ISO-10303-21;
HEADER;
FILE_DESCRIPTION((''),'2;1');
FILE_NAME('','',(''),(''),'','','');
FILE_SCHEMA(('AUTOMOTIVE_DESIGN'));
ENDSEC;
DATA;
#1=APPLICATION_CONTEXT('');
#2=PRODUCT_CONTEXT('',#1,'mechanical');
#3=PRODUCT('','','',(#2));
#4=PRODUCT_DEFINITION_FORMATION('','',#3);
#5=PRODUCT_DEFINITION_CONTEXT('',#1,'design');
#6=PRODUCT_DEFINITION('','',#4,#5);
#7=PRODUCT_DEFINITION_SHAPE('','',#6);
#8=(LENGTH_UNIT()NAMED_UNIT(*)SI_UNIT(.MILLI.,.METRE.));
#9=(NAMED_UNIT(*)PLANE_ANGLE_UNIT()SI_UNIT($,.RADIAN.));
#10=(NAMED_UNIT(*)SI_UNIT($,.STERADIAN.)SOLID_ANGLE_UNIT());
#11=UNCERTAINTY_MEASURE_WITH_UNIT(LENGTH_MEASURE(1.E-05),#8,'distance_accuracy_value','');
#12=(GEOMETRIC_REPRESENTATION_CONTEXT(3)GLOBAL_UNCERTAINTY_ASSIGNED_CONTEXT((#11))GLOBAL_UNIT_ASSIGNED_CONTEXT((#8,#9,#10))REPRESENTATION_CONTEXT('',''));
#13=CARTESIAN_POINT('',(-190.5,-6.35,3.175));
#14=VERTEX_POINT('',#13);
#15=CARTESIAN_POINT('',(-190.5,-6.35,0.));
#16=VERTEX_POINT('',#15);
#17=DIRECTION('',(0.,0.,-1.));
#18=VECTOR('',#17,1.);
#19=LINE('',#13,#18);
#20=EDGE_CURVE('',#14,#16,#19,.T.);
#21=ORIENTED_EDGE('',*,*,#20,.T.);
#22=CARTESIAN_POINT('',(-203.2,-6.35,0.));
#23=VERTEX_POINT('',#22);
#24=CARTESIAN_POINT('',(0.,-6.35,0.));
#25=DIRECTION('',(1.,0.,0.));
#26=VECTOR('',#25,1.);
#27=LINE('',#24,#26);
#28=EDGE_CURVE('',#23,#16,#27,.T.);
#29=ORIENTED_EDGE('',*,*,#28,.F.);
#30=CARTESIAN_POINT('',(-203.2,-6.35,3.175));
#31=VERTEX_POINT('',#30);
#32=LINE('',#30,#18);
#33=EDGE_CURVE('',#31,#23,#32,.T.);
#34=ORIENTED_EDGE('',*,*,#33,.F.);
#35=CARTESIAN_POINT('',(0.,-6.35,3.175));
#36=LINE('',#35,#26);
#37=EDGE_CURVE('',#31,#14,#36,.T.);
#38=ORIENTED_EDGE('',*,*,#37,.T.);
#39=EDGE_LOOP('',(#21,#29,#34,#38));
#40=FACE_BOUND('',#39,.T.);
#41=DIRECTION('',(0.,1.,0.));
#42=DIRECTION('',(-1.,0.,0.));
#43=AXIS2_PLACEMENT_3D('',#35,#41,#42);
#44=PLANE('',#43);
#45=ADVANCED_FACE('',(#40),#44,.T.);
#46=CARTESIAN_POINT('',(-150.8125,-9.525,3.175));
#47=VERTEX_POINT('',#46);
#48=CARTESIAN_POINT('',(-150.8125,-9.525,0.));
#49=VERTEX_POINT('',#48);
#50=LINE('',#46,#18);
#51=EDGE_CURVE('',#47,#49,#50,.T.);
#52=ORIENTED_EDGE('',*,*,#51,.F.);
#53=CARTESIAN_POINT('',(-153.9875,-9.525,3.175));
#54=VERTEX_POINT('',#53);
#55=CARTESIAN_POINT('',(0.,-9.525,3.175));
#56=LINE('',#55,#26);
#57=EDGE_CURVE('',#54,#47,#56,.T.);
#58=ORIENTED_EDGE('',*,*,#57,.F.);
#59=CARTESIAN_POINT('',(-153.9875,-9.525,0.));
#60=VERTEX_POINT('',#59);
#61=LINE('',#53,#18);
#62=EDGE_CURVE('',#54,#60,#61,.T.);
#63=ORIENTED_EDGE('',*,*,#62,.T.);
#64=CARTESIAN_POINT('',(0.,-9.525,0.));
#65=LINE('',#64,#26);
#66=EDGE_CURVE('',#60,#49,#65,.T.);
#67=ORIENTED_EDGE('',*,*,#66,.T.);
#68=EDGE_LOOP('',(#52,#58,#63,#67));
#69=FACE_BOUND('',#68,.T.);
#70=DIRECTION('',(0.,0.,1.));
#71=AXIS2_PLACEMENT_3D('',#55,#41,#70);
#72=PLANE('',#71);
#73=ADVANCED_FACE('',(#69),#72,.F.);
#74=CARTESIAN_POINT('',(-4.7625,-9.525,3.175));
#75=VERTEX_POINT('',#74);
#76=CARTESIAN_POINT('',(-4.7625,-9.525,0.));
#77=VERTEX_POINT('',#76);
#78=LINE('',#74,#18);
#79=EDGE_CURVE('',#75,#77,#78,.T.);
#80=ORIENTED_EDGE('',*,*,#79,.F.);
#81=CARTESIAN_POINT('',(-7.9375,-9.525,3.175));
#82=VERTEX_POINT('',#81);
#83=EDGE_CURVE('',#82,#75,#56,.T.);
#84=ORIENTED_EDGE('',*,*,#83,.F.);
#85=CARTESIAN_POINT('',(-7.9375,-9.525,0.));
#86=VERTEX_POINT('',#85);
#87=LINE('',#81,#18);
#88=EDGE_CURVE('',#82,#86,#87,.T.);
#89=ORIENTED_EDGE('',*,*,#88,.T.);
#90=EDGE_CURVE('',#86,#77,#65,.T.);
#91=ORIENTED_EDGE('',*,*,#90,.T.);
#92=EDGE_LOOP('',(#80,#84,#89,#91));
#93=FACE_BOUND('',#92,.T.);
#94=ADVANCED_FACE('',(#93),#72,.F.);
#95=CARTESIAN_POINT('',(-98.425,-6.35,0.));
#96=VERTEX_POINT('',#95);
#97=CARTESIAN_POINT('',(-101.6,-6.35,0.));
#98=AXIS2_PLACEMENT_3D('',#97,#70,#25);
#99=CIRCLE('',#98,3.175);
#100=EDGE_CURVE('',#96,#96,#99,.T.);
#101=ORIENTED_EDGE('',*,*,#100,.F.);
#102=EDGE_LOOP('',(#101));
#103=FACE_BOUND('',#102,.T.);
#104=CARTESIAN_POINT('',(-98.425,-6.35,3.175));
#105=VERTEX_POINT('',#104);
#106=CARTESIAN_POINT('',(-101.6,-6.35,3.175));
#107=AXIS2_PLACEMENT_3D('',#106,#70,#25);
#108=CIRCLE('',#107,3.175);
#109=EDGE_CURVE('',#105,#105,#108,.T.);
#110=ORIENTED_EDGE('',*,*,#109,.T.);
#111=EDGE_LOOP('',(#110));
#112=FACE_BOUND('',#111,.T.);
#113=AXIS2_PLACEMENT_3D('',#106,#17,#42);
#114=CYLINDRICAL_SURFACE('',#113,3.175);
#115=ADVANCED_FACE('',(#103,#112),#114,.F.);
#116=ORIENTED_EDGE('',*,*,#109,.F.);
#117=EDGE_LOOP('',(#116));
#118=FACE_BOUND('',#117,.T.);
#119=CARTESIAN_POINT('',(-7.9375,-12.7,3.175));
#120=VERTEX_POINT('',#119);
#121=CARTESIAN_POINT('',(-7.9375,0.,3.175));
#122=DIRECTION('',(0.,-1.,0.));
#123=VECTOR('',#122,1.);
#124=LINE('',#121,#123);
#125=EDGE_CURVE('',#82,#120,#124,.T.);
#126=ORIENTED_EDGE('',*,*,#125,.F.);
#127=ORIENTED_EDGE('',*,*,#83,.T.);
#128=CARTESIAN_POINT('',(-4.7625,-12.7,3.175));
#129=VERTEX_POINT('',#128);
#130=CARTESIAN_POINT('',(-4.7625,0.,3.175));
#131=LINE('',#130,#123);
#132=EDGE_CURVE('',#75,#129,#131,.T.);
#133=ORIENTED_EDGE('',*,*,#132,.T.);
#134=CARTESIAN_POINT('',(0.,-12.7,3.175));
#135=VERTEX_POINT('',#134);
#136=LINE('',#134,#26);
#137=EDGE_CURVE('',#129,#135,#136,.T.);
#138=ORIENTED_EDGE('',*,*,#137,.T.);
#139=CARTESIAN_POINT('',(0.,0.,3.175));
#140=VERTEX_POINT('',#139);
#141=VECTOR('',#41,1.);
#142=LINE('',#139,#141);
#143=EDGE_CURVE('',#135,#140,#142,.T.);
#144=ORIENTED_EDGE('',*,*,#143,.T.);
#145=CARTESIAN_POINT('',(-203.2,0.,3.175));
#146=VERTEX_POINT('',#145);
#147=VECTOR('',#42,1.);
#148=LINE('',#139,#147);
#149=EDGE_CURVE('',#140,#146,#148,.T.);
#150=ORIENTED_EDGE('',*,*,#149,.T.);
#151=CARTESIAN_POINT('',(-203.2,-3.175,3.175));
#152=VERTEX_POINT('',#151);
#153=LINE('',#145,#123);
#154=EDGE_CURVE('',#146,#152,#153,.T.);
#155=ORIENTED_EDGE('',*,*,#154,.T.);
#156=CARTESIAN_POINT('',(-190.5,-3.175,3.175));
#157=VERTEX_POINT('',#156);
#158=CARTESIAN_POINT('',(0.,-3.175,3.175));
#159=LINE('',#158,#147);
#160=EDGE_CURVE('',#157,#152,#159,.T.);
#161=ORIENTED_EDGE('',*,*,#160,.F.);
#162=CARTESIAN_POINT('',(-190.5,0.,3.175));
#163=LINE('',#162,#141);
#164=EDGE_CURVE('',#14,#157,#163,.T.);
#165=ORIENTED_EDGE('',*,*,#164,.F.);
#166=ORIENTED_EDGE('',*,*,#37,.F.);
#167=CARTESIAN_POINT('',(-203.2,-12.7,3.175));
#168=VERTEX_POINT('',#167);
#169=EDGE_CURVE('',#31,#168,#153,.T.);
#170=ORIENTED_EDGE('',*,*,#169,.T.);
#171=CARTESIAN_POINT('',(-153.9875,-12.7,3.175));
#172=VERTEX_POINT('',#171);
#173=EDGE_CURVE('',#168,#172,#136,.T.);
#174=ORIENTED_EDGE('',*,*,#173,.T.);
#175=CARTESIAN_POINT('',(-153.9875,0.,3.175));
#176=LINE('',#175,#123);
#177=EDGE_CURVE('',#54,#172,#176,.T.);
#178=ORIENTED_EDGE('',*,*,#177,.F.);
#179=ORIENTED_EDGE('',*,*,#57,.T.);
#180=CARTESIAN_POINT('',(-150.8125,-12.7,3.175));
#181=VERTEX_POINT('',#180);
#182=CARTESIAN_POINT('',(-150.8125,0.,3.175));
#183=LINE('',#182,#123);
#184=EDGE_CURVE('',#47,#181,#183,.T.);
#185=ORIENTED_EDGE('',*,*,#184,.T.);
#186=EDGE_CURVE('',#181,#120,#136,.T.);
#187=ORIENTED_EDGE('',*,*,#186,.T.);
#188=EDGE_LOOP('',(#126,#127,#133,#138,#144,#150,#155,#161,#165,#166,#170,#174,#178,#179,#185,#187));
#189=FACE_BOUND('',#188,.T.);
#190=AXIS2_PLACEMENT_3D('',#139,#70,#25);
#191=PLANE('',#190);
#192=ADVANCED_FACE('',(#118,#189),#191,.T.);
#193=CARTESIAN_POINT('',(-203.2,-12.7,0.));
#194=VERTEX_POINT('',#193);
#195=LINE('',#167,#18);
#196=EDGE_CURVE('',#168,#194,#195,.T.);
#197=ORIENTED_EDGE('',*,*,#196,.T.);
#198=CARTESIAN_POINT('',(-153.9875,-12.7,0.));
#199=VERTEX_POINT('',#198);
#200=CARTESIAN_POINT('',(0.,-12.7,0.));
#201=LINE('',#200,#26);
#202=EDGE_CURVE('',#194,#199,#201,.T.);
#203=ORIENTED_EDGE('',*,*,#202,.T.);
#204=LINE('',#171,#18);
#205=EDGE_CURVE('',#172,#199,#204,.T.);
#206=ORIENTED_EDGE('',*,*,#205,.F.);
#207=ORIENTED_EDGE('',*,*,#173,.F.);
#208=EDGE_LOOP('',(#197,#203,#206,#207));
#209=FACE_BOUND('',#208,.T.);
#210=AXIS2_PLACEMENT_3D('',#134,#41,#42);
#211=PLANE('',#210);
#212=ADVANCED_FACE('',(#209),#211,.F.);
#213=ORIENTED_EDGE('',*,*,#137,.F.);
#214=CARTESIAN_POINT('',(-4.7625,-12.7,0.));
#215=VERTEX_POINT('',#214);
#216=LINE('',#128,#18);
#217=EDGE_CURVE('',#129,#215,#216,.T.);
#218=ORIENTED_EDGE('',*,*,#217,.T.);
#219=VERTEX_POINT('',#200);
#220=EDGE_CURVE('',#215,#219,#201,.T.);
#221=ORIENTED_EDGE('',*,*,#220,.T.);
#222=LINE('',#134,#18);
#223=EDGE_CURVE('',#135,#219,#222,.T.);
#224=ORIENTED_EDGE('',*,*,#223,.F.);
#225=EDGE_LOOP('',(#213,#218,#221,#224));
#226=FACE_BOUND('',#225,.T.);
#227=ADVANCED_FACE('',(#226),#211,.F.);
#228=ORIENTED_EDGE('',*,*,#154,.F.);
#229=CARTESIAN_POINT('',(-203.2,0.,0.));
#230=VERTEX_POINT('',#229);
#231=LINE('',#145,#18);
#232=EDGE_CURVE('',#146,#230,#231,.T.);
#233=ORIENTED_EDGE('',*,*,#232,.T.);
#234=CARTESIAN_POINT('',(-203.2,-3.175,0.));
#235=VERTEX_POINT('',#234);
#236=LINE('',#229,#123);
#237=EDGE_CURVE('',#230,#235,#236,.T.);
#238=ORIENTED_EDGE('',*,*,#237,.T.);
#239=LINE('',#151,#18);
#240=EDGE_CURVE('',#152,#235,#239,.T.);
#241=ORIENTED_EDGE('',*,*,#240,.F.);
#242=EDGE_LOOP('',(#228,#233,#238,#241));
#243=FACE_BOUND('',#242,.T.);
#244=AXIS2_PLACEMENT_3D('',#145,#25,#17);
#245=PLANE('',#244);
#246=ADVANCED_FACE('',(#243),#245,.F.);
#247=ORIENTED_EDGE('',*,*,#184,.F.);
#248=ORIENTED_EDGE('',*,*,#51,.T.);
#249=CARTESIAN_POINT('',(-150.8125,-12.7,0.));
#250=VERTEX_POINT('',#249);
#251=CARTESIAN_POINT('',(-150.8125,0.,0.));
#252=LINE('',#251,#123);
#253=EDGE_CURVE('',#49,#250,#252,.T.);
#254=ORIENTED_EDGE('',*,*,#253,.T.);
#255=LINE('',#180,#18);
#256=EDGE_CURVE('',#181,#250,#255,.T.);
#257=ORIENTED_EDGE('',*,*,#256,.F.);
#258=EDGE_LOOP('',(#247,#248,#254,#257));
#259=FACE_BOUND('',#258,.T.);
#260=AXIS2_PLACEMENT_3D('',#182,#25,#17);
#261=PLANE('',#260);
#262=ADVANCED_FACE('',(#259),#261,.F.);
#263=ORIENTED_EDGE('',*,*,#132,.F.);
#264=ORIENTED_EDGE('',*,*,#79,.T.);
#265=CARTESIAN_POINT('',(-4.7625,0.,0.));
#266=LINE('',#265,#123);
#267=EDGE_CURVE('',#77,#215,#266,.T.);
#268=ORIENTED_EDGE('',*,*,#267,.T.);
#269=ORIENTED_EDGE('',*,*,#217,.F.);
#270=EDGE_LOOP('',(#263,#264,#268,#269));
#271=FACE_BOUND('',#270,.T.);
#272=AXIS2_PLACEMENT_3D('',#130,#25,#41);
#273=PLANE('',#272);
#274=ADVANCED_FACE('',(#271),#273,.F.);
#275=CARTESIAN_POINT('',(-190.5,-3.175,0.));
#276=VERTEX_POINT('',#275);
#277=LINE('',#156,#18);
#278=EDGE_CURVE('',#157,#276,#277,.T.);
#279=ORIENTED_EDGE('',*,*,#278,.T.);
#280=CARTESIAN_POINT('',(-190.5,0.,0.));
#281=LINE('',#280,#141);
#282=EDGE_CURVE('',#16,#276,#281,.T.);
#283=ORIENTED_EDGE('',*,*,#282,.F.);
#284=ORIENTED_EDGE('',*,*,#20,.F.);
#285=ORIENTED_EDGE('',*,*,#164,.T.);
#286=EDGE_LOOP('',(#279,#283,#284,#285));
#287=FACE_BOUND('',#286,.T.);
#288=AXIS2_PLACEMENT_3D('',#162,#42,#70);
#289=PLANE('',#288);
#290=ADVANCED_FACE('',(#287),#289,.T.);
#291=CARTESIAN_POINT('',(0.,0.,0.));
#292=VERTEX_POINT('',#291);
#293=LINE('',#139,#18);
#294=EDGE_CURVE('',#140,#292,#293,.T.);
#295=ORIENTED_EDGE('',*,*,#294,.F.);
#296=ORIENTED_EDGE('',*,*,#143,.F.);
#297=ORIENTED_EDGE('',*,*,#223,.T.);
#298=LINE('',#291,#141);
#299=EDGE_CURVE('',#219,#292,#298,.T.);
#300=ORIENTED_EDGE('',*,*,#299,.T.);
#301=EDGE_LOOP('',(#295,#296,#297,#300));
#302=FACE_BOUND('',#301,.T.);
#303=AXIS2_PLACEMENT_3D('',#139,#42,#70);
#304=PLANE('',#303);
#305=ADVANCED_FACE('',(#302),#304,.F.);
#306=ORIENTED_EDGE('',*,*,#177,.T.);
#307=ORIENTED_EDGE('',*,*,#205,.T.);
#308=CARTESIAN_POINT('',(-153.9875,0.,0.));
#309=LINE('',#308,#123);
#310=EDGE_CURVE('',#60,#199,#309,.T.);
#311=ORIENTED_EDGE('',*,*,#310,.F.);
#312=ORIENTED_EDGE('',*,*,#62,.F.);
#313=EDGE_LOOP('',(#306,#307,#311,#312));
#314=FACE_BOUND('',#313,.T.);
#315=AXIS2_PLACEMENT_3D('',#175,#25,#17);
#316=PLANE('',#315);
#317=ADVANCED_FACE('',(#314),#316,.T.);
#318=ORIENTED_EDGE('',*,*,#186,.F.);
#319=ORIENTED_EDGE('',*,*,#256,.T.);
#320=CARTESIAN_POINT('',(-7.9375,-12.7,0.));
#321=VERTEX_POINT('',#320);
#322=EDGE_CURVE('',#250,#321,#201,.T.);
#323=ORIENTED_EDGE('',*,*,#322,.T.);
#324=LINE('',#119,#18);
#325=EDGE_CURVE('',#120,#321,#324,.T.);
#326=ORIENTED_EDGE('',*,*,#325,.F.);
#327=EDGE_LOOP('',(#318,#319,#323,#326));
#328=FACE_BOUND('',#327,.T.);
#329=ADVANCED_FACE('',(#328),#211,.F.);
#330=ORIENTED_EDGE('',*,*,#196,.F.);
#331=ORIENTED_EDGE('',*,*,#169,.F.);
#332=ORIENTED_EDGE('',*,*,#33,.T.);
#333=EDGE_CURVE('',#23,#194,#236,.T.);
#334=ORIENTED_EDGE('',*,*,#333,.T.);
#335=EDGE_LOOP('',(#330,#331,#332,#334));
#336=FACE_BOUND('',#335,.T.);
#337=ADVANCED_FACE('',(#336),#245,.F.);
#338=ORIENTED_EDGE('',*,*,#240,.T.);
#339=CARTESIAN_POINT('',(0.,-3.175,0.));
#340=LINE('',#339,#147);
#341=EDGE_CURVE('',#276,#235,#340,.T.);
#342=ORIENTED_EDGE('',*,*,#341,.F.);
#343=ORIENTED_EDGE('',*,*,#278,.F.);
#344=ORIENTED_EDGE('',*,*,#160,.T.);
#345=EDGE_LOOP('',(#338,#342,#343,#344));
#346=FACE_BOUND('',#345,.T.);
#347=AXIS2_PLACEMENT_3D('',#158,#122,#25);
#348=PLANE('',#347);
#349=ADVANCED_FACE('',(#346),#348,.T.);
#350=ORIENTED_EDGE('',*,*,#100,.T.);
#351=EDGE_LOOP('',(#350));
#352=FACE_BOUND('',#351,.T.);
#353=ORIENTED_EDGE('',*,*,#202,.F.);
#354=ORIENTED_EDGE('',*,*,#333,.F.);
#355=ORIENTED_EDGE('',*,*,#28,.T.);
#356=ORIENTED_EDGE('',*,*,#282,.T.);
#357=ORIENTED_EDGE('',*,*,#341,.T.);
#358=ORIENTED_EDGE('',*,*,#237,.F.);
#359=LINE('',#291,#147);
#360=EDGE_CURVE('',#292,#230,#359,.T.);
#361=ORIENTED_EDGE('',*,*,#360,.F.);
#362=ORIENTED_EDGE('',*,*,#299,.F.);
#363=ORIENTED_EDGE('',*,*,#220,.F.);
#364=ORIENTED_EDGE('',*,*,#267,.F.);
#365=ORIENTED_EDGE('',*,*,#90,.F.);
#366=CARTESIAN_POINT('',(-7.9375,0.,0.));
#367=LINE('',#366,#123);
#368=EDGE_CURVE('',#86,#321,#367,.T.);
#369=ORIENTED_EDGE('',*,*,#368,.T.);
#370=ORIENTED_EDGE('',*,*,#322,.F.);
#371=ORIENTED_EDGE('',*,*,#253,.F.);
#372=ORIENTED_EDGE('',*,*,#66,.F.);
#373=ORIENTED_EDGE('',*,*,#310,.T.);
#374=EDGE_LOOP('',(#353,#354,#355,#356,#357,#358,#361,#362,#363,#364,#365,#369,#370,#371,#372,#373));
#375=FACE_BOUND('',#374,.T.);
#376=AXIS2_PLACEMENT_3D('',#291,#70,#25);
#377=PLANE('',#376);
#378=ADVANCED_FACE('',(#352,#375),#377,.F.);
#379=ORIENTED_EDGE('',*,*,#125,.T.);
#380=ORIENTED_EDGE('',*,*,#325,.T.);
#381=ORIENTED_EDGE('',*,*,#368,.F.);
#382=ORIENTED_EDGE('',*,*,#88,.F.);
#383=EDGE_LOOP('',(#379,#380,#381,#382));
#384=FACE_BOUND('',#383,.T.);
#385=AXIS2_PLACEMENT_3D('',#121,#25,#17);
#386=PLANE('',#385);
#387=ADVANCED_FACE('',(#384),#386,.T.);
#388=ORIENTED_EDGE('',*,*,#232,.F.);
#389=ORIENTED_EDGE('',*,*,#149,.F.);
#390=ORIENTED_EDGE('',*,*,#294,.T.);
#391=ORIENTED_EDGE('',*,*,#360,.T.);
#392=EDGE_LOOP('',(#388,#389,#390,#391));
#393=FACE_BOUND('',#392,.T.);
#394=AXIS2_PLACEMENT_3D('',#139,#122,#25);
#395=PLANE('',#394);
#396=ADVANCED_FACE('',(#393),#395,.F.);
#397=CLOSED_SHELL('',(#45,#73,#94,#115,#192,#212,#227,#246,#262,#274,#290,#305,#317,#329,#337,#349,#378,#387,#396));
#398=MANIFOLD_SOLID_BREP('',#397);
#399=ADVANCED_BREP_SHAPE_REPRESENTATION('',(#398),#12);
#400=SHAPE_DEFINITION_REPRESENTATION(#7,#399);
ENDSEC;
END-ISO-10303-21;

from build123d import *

# Parameters (mm, degrees)
SKETCH2_R           = 3.175
BOSS_EXTRUDE1_DEPTH = 3.175


with BuildPart() as part:
    # Sketch2 → Boss-Extrude1 (new body)
    with BuildSketch(Plane.XY):
        Polygon((0, -12.7), (0, 0), (-203.2, 0), (-203.2, -3.175), (-190.5, -3.175), (-190.5, -6.35), (-203.2, -6.35), (-203.2, -12.7), (-153.9875, -12.7), (-153.9875, -9.525), (-150.8125, -9.525), (-150.8125, -12.7), (-7.9375, -12.7), (-7.9375, -9.525), (-4.7625, -9.525), (-4.7625, -12.7), align=None)
        with Locations((-101.6, -6.35)):
            Circle(SKETCH2_R, mode=Mode.SUBTRACT)
    extrude(amount=BOSS_EXTRUDE1_DEPTH)


solid = part.part
